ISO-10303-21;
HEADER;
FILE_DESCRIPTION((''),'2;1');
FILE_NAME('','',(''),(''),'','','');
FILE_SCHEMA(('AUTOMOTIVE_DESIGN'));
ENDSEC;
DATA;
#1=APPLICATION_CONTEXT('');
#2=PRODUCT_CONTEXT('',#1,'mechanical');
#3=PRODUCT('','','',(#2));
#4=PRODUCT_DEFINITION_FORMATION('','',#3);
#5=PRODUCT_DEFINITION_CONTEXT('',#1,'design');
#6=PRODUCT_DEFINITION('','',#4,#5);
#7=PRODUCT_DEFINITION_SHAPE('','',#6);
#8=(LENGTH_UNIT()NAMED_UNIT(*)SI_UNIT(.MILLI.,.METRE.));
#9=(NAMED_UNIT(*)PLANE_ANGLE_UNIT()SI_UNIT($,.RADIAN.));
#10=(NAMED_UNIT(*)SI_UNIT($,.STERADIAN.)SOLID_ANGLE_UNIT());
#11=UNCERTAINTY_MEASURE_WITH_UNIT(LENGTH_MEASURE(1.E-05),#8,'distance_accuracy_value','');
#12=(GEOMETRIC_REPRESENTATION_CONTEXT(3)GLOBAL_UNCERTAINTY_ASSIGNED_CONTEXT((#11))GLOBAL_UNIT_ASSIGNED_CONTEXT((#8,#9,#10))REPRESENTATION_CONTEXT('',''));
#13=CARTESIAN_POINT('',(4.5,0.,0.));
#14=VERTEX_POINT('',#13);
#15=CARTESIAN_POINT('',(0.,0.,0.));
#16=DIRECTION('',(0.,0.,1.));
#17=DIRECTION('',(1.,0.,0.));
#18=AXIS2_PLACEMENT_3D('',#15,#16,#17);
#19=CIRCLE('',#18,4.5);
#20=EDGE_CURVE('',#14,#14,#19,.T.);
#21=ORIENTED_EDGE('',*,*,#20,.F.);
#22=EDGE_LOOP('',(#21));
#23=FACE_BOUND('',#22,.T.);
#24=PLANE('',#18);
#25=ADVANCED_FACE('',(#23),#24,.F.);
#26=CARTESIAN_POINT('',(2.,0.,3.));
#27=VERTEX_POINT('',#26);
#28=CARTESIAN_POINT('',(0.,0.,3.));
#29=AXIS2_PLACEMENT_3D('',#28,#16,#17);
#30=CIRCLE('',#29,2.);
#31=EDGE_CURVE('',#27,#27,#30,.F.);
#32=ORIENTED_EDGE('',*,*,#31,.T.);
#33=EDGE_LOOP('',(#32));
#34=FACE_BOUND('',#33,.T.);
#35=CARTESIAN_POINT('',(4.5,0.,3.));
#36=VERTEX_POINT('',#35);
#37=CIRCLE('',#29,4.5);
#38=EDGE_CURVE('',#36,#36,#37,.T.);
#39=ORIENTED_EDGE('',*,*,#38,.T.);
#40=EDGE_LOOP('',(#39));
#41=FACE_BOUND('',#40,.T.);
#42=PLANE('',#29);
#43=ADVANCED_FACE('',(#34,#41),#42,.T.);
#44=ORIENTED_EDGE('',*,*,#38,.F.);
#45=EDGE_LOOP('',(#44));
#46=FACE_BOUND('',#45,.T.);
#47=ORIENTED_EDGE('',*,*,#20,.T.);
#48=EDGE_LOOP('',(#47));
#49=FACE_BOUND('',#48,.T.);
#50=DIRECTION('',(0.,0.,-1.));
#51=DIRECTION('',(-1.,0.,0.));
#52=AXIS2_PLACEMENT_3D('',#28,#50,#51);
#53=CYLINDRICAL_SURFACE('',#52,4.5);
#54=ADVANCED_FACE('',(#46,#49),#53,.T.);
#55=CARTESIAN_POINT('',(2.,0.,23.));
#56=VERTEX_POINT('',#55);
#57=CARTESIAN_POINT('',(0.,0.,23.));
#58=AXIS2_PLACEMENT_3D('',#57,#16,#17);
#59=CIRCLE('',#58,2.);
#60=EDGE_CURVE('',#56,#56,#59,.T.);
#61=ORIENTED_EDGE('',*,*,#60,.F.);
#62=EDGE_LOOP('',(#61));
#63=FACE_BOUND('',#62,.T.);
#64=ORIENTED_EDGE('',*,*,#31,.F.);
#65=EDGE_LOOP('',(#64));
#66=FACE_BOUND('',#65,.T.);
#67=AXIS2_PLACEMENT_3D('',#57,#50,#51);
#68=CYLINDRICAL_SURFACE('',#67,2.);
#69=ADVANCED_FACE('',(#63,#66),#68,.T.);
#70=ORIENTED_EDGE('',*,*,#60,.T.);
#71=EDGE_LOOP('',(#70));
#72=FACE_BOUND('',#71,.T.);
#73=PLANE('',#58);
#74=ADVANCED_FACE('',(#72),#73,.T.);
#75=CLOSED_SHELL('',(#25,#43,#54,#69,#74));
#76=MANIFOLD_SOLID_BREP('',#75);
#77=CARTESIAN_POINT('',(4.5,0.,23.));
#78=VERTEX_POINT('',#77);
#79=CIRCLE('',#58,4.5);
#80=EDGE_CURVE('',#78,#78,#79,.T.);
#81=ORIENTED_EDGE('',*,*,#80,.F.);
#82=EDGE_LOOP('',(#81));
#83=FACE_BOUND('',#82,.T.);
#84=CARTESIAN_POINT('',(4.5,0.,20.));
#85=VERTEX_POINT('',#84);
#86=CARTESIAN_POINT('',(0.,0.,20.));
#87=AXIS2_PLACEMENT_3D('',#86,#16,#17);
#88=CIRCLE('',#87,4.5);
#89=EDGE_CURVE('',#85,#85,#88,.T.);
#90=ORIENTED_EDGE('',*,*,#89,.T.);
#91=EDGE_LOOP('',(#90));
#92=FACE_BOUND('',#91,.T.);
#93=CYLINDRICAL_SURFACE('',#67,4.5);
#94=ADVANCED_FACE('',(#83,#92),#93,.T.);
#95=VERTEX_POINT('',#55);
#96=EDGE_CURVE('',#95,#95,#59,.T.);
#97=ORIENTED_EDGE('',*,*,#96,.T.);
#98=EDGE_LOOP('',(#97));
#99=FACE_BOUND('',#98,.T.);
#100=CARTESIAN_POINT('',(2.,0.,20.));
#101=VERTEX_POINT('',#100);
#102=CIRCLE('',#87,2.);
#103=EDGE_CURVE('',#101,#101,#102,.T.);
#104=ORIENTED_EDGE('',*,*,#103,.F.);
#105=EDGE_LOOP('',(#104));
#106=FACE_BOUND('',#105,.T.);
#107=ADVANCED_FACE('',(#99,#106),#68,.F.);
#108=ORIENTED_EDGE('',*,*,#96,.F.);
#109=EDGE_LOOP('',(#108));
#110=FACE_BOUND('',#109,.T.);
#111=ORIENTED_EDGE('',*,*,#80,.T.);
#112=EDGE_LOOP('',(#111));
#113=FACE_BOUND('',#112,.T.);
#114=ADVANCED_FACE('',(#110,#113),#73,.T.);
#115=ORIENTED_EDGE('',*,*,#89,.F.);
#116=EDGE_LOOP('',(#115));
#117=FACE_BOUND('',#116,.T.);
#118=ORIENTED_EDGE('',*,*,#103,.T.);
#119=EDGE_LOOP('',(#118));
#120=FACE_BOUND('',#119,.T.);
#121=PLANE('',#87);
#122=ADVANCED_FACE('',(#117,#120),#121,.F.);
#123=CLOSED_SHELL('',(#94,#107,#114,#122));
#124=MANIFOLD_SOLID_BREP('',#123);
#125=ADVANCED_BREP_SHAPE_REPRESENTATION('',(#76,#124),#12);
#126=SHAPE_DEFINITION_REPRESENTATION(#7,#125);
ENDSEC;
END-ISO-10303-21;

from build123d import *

# Parameters (mm, degrees)
CROQUIS1_R              = 4.5
SALIENTE_EXTRUIR1_DEPTH = 3
CROQUIS2_R              = 2
SALIENTE_EXTRUIR2_DEPTH = 23
SALIENTE_EXTRUIR3_START = 20
CROQUIS4_R              = 4.5
CROQUIS4_R_2            = 2
SALIENTE_EXTRUIR3_DEPTH = 3


with BuildPart() as part:
    # Croquis1 → Saliente-Extruir1 (new body)
    with BuildSketch(Plane.XY):
        Circle(CROQUIS1_R)
    extrude(amount=SALIENTE_EXTRUIR1_DEPTH)

    # Croquis2 → Saliente-Extruir2 (add)
    with BuildSketch(Plane.XY):
        Circle(CROQUIS2_R)
    extrude(amount=SALIENTE_EXTRUIR2_DEPTH)


with BuildPart() as body_2:
    # Croquis4 → Saliente-Extruir3 (new body)
    with BuildSketch(Plane.XY.offset(SALIENTE_EXTRUIR3_START)):
        Circle(CROQUIS4_R)
        Circle(CROQUIS4_R_2, mode=Mode.SUBTRACT)
    extrude(amount=SALIENTE_EXTRUIR3_DEPTH)


solid = Compound([part.part, body_2.part])
